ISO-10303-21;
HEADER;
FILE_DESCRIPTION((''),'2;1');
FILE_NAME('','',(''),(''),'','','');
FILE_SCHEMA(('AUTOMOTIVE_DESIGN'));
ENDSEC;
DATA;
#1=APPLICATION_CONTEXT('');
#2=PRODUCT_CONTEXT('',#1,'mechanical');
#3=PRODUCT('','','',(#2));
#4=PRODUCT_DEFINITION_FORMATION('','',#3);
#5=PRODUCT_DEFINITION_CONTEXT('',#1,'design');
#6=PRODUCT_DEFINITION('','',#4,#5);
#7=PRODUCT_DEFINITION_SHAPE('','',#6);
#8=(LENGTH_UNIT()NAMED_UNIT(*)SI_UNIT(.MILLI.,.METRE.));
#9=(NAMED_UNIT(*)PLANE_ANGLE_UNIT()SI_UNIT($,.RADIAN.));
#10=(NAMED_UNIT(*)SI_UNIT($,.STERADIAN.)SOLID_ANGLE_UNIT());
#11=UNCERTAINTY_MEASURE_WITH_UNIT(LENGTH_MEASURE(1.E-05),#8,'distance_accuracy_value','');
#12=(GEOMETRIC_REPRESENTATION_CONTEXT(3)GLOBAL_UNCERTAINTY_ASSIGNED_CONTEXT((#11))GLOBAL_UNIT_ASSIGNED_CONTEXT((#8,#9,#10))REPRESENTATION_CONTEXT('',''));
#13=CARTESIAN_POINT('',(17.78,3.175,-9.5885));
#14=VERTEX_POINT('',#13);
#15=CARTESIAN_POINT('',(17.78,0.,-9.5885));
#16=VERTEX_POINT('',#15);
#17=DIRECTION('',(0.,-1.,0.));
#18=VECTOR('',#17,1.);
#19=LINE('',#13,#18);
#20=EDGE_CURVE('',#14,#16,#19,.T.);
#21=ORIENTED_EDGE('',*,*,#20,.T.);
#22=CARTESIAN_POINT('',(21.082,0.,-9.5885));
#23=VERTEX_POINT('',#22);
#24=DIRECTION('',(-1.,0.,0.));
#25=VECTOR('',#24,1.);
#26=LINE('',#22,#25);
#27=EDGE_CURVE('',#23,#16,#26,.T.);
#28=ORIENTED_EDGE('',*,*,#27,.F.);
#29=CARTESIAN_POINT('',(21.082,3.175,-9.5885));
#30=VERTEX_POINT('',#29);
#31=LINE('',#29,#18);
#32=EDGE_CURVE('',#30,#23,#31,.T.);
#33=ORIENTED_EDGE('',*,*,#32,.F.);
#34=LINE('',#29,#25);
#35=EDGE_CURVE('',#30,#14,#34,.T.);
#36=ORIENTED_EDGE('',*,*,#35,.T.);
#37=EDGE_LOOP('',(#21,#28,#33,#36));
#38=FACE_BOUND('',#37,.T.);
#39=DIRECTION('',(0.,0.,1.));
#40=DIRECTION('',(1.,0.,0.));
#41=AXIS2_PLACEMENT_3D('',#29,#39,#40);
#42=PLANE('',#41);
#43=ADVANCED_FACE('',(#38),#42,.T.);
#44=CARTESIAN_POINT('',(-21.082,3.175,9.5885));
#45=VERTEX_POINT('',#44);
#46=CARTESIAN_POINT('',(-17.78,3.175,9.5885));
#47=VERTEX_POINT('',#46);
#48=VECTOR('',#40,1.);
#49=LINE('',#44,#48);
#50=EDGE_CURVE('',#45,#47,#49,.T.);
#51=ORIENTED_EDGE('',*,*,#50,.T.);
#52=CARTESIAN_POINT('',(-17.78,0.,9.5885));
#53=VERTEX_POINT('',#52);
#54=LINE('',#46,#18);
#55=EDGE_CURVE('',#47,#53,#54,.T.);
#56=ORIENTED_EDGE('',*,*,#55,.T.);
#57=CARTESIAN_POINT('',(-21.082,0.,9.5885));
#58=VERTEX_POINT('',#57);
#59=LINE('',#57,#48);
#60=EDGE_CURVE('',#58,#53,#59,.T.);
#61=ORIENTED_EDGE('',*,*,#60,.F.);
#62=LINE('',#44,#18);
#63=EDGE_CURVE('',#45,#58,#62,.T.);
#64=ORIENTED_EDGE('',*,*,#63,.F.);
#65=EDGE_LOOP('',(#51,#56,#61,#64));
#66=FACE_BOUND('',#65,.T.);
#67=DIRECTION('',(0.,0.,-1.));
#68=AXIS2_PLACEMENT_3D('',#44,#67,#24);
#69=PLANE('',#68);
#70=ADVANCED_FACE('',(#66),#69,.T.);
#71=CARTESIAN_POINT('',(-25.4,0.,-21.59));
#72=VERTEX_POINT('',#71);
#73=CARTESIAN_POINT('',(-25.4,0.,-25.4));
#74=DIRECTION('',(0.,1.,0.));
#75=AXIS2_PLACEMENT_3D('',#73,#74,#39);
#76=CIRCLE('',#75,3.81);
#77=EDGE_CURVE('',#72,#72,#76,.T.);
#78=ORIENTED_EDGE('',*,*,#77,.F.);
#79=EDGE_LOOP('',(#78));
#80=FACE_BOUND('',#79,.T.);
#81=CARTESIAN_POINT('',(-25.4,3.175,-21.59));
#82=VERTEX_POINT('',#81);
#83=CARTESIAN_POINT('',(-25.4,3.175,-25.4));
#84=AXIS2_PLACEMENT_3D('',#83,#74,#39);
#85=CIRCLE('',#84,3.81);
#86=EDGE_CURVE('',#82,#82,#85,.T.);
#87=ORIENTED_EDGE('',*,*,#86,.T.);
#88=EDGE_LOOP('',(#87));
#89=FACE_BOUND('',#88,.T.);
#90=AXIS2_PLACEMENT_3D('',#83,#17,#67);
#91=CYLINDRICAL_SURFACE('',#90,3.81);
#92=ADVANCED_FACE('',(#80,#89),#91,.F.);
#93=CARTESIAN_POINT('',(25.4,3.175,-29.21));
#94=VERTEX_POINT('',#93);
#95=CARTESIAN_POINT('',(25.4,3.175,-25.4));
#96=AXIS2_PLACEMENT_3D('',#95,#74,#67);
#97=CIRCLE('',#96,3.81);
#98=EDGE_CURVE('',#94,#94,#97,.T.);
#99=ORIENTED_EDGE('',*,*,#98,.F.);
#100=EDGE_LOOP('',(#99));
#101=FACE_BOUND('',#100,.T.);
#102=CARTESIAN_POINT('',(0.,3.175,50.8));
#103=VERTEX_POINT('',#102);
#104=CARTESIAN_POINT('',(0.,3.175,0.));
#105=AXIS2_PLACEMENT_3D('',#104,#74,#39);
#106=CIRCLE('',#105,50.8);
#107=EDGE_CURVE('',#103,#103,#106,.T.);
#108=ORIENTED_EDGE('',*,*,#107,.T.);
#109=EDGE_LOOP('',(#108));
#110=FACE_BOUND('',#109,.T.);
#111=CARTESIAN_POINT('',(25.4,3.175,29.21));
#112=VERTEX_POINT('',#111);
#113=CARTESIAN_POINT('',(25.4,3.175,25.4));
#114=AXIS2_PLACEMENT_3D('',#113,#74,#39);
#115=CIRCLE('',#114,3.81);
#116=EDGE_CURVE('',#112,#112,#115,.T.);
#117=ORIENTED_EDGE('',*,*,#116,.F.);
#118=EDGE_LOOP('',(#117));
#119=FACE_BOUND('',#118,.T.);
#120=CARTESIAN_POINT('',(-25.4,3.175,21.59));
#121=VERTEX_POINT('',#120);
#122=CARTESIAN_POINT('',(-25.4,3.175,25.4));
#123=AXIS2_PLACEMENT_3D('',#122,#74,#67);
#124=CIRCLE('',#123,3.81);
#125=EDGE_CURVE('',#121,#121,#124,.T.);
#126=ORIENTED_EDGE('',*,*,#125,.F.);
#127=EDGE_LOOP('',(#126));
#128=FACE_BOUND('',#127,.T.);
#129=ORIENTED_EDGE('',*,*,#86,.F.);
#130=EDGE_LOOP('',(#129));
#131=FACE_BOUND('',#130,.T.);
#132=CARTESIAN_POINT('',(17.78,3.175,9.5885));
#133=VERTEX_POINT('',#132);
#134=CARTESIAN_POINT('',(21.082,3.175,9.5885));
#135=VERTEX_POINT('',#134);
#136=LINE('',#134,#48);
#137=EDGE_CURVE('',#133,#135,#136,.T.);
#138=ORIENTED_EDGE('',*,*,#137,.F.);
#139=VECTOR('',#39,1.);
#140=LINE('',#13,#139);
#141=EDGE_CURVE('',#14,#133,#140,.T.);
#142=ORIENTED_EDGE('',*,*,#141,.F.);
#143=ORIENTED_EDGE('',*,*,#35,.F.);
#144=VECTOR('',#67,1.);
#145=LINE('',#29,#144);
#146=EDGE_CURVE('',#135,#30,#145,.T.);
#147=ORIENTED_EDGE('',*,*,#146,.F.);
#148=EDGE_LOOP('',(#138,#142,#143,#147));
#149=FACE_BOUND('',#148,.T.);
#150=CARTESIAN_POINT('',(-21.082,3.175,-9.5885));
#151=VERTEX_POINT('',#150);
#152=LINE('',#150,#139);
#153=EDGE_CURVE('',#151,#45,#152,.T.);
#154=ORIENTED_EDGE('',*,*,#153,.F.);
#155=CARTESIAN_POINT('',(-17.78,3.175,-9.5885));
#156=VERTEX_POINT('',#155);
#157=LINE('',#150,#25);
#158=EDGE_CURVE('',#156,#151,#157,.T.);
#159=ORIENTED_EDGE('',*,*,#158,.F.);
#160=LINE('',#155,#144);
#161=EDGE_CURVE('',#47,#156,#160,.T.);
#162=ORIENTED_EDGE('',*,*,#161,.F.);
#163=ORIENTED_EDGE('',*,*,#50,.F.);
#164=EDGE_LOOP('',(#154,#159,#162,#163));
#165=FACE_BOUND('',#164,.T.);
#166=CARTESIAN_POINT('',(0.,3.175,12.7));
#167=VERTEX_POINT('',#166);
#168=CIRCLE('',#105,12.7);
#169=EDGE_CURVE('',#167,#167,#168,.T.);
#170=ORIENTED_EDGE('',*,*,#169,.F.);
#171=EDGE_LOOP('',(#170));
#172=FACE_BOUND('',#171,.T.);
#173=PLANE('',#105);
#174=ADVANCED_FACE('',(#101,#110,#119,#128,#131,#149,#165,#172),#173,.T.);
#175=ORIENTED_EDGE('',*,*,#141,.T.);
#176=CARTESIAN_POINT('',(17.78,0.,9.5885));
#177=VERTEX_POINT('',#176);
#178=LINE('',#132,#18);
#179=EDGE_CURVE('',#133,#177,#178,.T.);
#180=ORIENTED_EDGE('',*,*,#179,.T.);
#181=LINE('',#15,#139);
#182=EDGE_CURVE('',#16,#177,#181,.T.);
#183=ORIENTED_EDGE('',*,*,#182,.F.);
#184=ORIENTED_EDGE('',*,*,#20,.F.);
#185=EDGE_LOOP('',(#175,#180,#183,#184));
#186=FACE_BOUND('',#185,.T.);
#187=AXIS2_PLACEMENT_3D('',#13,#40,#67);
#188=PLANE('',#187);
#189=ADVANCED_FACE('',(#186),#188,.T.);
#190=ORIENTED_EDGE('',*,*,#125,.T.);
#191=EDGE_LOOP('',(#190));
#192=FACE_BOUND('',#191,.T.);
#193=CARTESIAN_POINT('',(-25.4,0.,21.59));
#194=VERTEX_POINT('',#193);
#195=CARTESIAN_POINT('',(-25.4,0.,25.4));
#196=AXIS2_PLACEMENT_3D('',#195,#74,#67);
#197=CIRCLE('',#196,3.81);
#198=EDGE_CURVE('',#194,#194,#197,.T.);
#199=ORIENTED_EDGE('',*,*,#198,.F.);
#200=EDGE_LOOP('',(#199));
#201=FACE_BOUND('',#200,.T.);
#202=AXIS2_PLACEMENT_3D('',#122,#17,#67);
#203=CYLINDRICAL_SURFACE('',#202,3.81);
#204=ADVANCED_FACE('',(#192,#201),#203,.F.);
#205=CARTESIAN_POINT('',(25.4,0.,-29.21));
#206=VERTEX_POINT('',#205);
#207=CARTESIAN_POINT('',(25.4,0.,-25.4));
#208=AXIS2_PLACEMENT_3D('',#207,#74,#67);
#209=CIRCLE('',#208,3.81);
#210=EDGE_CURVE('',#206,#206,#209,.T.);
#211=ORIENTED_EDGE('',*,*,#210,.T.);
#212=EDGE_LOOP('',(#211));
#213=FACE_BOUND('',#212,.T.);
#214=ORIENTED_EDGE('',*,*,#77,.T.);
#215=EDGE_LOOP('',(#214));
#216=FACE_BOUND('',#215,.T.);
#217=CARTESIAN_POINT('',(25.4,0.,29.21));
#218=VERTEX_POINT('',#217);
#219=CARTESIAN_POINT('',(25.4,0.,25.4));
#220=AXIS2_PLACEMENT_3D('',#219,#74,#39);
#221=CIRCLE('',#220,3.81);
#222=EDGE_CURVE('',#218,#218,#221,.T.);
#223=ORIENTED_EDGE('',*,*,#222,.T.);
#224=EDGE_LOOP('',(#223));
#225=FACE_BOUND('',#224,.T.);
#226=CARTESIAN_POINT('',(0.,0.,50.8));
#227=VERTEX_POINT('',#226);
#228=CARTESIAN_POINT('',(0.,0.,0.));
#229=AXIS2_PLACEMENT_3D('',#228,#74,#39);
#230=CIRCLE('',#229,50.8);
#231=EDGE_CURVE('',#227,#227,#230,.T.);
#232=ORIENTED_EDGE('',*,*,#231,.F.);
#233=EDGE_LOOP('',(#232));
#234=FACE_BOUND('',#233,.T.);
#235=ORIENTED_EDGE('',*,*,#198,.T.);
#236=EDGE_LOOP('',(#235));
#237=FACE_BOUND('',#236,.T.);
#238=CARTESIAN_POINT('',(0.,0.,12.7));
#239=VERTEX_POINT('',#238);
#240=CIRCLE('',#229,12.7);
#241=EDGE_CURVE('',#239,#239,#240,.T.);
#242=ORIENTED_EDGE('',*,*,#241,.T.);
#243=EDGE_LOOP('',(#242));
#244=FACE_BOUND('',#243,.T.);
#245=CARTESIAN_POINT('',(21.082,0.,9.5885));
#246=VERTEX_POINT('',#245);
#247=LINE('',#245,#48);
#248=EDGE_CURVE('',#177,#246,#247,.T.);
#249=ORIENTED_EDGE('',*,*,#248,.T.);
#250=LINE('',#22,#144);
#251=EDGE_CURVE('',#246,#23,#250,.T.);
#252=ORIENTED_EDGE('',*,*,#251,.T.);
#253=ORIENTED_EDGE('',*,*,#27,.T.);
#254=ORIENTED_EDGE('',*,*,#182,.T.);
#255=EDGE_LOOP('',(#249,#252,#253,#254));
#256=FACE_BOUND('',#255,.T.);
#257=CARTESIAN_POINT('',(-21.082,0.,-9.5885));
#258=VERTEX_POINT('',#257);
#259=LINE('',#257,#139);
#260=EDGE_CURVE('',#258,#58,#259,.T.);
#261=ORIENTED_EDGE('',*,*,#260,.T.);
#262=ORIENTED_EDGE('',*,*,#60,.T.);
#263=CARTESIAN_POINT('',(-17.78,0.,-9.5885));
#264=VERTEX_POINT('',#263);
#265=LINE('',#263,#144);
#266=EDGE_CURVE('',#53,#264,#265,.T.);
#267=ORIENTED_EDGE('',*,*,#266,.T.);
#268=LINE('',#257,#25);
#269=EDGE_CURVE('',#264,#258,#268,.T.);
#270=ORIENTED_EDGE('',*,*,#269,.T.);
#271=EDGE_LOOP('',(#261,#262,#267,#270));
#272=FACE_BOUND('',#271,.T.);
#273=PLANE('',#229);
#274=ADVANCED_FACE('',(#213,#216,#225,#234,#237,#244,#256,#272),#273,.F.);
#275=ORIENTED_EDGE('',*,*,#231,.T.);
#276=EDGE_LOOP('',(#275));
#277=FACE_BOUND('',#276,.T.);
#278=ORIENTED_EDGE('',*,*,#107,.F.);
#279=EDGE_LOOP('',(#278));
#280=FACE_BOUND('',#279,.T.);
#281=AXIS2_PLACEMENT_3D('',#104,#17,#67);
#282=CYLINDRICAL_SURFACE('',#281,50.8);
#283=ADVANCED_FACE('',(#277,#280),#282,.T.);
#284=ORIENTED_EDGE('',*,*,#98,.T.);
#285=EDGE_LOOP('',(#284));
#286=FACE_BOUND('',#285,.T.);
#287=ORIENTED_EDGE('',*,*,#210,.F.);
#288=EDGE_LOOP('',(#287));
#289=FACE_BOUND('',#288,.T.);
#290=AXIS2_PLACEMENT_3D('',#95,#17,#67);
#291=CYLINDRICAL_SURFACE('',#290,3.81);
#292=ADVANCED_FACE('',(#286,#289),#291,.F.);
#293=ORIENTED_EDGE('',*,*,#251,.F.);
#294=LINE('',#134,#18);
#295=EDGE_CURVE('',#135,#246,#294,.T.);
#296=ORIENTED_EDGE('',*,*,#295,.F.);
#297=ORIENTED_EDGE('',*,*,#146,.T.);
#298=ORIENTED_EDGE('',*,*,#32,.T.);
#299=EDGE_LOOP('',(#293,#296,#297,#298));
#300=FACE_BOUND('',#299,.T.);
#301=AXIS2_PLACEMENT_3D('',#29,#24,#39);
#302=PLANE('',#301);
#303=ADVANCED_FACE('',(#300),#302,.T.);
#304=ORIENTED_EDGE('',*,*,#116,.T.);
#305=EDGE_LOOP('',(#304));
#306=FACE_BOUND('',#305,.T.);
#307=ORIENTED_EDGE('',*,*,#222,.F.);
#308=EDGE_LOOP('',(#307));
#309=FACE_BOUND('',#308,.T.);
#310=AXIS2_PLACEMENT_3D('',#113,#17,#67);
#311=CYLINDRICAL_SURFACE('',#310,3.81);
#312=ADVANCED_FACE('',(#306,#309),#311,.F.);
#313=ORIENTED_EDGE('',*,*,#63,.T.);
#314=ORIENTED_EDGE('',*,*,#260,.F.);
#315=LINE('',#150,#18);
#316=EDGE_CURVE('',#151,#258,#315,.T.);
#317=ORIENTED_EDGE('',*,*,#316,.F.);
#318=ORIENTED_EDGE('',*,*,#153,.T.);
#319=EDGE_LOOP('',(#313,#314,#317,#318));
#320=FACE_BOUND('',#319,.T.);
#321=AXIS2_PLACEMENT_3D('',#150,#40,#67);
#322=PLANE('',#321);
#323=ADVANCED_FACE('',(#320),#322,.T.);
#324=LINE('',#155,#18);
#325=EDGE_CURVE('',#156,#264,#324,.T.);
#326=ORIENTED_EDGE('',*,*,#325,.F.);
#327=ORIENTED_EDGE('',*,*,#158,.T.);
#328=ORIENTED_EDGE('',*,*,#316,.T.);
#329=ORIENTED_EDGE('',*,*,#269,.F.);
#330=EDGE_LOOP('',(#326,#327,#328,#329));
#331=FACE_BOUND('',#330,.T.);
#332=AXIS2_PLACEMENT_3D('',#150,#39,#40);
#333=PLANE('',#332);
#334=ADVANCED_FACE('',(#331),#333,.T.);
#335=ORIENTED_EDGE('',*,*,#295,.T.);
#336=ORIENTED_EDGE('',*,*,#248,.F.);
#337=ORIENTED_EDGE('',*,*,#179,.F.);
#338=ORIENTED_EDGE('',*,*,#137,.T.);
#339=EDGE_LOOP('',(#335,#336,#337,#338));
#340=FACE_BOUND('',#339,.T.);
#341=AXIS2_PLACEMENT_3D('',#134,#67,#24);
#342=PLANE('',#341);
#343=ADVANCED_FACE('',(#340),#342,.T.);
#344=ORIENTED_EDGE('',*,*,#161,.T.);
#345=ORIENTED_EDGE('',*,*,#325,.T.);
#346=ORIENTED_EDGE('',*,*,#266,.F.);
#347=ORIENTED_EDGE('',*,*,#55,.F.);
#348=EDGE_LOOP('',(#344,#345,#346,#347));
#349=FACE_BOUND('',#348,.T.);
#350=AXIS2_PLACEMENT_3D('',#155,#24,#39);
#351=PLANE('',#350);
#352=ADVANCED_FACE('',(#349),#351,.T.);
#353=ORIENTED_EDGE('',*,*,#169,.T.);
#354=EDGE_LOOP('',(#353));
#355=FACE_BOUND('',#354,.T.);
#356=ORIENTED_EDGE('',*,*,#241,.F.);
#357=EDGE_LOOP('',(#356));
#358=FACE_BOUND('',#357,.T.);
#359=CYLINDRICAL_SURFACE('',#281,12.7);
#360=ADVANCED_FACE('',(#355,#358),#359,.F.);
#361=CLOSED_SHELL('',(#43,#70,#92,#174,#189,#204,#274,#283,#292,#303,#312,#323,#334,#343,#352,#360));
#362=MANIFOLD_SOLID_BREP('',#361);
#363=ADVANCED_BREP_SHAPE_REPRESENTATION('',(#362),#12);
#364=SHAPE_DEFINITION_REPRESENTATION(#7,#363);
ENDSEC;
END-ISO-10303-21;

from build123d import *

# Parameters (mm, degrees)
SKETCH1_R           = 50.8
SKETCH1_R_2         = 3.81
SKETCH1_R_3         = 12.7
SKETCH1_W           = 3.302
SKETCH1_H           = 19.177
BOSS_EXTRUDE1_DEPTH = 3.175


with BuildPart() as part:
    # Sketch1 → Boss-Extrude1 (new body)
    with BuildSketch(Plane(origin=(0, 0, 0), x_dir=(1, 0, 0), z_dir=(0, 1, 0))):
        Circle(SKETCH1_R)
        with Locations((-25.4, 25.4)):
            Circle(SKETCH1_R_2, mode=Mode.SUBTRACT)
        with Locations((-25.4, -25.4)):
            Circle(SKETCH1_R_2, mode=Mode.SUBTRACT)
        with Locations((25.4, -25.4)):
            Circle(SKETCH1_R_2, mode=Mode.SUBTRACT)
        with Locations((25.4, 25.4)):
            Circle(SKETCH1_R_2, mode=Mode.SUBTRACT)
        Circle(SKETCH1_R_3, mode=Mode.SUBTRACT)
        with Locations((19.431, 0)):
            Rectangle(SKETCH1_W, SKETCH1_H, mode=Mode.SUBTRACT)
        with Locations((-19.431, 0)):
            Rectangle(SKETCH1_W, SKETCH1_H, mode=Mode.SUBTRACT)
    extrude(amount=BOSS_EXTRUDE1_DEPTH)


solid = part.part
